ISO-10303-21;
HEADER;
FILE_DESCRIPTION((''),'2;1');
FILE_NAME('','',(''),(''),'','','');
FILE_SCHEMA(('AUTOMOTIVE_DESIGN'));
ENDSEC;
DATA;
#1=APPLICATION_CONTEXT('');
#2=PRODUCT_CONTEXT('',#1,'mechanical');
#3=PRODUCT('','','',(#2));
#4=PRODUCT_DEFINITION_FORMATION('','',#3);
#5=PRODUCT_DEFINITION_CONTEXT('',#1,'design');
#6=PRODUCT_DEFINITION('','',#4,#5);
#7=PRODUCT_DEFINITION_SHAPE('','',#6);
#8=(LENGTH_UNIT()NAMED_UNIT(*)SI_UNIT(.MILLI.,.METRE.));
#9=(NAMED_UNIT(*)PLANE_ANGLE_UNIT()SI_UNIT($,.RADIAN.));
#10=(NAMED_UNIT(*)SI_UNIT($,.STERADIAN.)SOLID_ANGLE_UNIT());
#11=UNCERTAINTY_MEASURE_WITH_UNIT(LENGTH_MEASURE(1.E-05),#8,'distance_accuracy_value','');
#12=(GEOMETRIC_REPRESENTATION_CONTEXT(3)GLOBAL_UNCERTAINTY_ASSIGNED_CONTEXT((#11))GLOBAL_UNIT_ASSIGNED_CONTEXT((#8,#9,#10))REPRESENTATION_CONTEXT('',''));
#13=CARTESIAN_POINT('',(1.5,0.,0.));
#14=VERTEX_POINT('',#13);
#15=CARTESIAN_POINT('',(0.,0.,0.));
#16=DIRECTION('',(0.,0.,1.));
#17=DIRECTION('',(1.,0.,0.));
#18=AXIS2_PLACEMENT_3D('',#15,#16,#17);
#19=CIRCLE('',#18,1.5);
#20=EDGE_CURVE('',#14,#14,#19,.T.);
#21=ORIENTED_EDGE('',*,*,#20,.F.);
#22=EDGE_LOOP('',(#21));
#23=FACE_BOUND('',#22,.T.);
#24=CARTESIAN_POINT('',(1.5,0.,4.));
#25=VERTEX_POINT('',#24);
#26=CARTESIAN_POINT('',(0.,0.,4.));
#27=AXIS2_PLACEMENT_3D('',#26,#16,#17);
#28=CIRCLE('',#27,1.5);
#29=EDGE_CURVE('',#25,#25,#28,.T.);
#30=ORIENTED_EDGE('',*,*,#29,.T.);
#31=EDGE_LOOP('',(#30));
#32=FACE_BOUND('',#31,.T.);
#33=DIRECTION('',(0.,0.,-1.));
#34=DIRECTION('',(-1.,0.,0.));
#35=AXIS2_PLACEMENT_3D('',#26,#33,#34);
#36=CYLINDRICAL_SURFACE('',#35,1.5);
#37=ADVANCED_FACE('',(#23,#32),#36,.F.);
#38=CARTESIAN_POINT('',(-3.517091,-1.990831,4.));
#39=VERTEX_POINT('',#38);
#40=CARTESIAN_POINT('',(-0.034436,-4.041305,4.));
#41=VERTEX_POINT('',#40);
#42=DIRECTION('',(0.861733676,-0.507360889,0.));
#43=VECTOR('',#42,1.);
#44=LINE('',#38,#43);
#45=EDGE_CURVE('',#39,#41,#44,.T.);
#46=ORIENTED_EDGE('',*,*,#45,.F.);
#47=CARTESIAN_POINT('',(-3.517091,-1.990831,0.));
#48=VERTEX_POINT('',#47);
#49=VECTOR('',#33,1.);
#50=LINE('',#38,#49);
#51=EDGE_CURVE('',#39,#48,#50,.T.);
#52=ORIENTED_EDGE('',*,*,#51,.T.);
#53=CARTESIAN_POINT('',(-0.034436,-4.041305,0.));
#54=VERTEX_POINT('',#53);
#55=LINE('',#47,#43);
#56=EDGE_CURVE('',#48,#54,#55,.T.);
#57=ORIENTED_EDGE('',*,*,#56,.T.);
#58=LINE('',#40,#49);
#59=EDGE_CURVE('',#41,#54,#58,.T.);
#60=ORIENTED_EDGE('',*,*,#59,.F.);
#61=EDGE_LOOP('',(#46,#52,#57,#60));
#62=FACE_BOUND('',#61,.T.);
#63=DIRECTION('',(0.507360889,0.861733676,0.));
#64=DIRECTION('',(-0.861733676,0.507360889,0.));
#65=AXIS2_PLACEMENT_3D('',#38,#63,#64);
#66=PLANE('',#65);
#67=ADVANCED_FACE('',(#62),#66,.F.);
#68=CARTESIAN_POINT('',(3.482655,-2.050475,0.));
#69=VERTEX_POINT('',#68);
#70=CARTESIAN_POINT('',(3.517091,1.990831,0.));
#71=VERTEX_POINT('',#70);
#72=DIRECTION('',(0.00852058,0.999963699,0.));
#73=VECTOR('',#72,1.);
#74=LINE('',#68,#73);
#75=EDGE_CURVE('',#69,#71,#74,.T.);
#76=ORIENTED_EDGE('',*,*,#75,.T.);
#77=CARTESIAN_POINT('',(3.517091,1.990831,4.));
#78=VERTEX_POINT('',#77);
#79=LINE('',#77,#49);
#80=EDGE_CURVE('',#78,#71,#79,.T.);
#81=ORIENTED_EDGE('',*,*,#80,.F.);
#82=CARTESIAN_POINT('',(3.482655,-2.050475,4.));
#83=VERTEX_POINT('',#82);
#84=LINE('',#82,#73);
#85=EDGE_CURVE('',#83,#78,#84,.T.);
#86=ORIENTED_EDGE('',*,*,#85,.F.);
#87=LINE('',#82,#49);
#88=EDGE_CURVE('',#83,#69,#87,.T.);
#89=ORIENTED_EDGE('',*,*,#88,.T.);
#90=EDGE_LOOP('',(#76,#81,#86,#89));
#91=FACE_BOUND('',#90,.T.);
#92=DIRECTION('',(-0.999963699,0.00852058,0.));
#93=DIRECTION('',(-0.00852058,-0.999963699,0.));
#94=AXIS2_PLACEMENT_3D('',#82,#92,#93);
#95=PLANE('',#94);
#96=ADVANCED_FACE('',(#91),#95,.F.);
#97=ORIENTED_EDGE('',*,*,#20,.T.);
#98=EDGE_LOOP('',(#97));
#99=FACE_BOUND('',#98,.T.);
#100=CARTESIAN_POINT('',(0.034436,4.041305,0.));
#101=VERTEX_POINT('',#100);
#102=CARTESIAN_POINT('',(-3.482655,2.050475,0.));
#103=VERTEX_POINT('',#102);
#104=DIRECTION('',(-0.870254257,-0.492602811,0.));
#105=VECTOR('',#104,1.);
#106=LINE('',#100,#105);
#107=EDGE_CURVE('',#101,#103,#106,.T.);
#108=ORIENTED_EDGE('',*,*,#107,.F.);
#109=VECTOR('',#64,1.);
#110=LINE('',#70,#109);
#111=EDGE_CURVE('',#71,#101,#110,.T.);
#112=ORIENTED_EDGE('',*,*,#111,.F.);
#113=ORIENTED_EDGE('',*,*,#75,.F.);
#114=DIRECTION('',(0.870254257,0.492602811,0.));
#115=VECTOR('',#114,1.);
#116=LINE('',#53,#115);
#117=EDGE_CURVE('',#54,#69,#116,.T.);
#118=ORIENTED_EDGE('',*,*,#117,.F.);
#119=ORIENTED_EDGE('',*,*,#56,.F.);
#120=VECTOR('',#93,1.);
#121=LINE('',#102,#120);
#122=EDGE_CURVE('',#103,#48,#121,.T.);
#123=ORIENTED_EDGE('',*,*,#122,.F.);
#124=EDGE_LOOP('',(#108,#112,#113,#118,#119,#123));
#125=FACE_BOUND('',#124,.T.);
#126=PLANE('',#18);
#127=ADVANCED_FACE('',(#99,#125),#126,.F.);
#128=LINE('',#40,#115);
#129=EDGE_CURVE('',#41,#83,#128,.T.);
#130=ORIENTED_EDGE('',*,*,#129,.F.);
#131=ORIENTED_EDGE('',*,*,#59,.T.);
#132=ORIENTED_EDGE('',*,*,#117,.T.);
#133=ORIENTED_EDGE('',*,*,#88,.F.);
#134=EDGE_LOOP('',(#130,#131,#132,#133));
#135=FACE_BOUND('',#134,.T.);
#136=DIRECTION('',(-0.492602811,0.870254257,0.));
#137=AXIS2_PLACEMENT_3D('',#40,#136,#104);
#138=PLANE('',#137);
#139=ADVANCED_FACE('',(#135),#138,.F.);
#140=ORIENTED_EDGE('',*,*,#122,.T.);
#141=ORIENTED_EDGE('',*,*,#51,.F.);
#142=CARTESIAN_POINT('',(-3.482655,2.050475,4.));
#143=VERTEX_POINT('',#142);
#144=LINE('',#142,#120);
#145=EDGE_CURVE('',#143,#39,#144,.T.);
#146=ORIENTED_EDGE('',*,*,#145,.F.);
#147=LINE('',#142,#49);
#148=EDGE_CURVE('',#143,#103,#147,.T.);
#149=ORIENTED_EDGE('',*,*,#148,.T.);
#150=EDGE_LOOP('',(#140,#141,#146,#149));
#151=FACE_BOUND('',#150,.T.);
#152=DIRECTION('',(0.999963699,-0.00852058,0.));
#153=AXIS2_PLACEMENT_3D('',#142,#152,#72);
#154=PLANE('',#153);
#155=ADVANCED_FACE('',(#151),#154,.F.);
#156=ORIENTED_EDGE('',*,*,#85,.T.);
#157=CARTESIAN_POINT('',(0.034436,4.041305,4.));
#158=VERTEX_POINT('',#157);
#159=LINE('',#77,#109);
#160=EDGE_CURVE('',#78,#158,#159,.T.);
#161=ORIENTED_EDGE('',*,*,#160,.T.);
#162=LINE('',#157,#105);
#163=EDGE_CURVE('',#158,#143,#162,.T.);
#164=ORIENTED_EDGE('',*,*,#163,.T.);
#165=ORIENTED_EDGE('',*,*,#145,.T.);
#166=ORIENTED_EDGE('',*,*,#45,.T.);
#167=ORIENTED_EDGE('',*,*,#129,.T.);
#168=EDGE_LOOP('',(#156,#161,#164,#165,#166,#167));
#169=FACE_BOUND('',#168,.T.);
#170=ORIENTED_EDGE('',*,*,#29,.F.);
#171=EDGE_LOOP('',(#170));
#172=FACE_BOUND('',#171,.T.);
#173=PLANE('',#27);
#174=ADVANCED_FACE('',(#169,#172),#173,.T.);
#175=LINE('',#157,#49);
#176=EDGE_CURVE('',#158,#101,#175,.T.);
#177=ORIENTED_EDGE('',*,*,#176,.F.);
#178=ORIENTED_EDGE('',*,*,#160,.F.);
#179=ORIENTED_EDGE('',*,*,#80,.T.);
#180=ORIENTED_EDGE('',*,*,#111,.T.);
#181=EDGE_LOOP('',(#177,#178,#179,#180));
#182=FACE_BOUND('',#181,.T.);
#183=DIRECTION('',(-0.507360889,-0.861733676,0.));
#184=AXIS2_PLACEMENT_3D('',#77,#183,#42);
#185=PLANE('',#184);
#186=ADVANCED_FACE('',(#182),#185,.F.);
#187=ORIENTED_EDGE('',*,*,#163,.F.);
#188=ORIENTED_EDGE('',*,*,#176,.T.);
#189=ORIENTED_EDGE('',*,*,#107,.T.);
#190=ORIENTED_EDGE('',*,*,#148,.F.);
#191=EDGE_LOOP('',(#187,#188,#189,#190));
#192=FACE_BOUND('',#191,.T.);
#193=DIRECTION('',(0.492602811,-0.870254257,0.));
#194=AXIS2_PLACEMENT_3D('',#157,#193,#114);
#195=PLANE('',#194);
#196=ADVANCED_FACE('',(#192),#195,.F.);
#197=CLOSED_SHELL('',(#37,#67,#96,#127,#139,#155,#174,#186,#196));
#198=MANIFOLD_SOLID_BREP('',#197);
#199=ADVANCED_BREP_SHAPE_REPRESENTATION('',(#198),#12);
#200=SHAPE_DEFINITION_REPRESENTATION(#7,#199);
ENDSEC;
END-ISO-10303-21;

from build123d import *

# Parameters (mm, degrees)
SKETCH1_R           = 1.5
BOSS_EXTRUDE2_DEPTH = 4


with BuildPart() as part:
    # Sketch1 → Boss-Extrude2 (new body)
    with BuildSketch(Plane.XY):
        Polygon((-3.48265519, 2.050474619), (-3.517090705, -1.990830557), (-0.034435515, -4.041305176), (3.48265519, -2.050474619), (3.517090705, 1.990830557), (0.034435515, 4.041305176), align=None)
        Circle(SKETCH1_R, mode=Mode.SUBTRACT)
    extrude(amount=BOSS_EXTRUDE2_DEPTH)


solid = part.part
